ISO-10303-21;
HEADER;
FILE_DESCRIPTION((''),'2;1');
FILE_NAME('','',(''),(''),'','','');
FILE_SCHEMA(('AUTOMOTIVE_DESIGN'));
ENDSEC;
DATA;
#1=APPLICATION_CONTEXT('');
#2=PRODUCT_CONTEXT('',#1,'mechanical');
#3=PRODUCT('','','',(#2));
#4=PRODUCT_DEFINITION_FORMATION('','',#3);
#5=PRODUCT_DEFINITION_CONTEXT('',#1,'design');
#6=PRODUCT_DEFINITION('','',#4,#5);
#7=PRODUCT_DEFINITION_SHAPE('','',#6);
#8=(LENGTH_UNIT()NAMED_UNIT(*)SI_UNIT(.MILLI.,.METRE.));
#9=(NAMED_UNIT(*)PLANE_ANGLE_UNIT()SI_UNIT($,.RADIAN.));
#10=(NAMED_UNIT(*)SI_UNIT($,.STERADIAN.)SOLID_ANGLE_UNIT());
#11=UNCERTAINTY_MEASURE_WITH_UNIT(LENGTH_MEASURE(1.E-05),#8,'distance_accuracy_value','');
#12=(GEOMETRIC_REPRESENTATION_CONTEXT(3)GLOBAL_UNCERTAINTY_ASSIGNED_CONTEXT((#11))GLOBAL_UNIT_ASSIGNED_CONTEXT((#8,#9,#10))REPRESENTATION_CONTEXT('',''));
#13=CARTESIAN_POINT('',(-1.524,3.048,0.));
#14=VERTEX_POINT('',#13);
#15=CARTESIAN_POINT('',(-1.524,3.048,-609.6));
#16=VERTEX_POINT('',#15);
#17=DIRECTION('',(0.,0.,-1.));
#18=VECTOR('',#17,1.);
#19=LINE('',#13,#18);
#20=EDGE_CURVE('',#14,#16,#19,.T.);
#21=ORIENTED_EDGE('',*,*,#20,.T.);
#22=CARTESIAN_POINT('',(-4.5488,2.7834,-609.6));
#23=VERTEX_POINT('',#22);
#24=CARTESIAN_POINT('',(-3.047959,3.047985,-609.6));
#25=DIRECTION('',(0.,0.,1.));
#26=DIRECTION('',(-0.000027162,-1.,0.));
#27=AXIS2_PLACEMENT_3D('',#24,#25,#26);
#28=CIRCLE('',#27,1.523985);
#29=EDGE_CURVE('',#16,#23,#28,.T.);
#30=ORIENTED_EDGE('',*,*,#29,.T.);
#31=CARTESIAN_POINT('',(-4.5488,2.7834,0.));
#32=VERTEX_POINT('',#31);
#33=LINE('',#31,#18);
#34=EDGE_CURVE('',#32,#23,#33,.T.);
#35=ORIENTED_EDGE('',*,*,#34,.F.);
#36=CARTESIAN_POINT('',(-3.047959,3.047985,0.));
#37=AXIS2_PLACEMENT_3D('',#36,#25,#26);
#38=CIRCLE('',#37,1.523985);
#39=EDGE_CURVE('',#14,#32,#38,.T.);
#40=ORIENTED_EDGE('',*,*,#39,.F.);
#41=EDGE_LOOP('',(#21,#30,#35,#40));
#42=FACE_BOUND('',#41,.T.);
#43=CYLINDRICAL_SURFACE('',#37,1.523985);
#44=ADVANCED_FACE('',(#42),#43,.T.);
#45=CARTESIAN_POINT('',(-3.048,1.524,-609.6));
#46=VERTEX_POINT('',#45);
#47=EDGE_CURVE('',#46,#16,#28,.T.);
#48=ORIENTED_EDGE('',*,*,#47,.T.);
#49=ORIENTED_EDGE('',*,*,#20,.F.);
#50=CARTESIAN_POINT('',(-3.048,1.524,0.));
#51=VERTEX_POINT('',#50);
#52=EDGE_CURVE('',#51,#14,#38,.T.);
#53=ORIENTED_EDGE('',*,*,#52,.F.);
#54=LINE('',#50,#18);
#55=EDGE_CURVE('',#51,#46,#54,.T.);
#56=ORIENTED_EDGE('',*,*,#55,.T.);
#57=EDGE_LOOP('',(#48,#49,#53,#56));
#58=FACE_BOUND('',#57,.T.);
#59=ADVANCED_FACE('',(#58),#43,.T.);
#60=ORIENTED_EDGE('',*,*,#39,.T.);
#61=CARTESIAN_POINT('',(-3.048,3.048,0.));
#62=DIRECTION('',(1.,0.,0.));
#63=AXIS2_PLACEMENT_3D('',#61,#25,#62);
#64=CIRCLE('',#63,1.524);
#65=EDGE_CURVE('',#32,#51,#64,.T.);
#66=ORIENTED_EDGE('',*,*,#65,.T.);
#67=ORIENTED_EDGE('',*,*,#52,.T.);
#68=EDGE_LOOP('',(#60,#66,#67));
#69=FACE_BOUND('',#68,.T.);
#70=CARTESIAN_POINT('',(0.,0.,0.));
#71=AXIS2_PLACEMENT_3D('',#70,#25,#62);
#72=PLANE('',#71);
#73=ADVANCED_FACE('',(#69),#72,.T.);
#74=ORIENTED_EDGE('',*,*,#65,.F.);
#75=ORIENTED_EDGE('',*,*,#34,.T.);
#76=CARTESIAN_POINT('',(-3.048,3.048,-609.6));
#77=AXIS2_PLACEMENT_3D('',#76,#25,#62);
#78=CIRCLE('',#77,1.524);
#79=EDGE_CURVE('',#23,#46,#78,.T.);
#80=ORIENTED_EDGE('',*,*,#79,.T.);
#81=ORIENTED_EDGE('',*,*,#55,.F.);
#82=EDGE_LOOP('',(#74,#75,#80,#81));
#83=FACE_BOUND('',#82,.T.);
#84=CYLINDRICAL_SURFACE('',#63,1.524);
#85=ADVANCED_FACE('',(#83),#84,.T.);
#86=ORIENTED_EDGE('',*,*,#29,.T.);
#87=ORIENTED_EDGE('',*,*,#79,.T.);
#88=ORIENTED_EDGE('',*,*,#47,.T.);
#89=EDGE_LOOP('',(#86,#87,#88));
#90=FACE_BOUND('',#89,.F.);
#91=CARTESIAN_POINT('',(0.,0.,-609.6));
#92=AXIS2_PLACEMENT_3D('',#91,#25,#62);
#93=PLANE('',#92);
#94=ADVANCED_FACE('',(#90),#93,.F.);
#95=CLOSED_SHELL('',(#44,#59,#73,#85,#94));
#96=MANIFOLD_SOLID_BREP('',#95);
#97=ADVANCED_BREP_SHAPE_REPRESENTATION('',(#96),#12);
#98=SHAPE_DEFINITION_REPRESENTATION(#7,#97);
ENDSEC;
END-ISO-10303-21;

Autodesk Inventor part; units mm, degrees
ref_plane "YZ Plane" through (0, 0, 0) normal (1, 0, 0) x (0, 1, 0)
ref_plane "XZ Plane" through (0, 0, 0) normal (0, 1, 0) x (-1, 0, 0)
ref_plane "XY Plane" through (0, 0, 0) normal (0, 0, 1) x (1, 0, 0)
sketch "Sketch1" plane through (0, 0, 0) normal (0, 0, 1) x (1, 0, 0)
  arc A0 (-3.048, 1.524) -> (-4.5488, 2.7834) centre (-3.048, 3.048) ccw projected
  circle A1 centre (-3.048, 3.048) radius 1.524
extrude "Extrusion1" add sketch "Sketch1" against normal blind 609.6
properties part number "Hinge pin"
